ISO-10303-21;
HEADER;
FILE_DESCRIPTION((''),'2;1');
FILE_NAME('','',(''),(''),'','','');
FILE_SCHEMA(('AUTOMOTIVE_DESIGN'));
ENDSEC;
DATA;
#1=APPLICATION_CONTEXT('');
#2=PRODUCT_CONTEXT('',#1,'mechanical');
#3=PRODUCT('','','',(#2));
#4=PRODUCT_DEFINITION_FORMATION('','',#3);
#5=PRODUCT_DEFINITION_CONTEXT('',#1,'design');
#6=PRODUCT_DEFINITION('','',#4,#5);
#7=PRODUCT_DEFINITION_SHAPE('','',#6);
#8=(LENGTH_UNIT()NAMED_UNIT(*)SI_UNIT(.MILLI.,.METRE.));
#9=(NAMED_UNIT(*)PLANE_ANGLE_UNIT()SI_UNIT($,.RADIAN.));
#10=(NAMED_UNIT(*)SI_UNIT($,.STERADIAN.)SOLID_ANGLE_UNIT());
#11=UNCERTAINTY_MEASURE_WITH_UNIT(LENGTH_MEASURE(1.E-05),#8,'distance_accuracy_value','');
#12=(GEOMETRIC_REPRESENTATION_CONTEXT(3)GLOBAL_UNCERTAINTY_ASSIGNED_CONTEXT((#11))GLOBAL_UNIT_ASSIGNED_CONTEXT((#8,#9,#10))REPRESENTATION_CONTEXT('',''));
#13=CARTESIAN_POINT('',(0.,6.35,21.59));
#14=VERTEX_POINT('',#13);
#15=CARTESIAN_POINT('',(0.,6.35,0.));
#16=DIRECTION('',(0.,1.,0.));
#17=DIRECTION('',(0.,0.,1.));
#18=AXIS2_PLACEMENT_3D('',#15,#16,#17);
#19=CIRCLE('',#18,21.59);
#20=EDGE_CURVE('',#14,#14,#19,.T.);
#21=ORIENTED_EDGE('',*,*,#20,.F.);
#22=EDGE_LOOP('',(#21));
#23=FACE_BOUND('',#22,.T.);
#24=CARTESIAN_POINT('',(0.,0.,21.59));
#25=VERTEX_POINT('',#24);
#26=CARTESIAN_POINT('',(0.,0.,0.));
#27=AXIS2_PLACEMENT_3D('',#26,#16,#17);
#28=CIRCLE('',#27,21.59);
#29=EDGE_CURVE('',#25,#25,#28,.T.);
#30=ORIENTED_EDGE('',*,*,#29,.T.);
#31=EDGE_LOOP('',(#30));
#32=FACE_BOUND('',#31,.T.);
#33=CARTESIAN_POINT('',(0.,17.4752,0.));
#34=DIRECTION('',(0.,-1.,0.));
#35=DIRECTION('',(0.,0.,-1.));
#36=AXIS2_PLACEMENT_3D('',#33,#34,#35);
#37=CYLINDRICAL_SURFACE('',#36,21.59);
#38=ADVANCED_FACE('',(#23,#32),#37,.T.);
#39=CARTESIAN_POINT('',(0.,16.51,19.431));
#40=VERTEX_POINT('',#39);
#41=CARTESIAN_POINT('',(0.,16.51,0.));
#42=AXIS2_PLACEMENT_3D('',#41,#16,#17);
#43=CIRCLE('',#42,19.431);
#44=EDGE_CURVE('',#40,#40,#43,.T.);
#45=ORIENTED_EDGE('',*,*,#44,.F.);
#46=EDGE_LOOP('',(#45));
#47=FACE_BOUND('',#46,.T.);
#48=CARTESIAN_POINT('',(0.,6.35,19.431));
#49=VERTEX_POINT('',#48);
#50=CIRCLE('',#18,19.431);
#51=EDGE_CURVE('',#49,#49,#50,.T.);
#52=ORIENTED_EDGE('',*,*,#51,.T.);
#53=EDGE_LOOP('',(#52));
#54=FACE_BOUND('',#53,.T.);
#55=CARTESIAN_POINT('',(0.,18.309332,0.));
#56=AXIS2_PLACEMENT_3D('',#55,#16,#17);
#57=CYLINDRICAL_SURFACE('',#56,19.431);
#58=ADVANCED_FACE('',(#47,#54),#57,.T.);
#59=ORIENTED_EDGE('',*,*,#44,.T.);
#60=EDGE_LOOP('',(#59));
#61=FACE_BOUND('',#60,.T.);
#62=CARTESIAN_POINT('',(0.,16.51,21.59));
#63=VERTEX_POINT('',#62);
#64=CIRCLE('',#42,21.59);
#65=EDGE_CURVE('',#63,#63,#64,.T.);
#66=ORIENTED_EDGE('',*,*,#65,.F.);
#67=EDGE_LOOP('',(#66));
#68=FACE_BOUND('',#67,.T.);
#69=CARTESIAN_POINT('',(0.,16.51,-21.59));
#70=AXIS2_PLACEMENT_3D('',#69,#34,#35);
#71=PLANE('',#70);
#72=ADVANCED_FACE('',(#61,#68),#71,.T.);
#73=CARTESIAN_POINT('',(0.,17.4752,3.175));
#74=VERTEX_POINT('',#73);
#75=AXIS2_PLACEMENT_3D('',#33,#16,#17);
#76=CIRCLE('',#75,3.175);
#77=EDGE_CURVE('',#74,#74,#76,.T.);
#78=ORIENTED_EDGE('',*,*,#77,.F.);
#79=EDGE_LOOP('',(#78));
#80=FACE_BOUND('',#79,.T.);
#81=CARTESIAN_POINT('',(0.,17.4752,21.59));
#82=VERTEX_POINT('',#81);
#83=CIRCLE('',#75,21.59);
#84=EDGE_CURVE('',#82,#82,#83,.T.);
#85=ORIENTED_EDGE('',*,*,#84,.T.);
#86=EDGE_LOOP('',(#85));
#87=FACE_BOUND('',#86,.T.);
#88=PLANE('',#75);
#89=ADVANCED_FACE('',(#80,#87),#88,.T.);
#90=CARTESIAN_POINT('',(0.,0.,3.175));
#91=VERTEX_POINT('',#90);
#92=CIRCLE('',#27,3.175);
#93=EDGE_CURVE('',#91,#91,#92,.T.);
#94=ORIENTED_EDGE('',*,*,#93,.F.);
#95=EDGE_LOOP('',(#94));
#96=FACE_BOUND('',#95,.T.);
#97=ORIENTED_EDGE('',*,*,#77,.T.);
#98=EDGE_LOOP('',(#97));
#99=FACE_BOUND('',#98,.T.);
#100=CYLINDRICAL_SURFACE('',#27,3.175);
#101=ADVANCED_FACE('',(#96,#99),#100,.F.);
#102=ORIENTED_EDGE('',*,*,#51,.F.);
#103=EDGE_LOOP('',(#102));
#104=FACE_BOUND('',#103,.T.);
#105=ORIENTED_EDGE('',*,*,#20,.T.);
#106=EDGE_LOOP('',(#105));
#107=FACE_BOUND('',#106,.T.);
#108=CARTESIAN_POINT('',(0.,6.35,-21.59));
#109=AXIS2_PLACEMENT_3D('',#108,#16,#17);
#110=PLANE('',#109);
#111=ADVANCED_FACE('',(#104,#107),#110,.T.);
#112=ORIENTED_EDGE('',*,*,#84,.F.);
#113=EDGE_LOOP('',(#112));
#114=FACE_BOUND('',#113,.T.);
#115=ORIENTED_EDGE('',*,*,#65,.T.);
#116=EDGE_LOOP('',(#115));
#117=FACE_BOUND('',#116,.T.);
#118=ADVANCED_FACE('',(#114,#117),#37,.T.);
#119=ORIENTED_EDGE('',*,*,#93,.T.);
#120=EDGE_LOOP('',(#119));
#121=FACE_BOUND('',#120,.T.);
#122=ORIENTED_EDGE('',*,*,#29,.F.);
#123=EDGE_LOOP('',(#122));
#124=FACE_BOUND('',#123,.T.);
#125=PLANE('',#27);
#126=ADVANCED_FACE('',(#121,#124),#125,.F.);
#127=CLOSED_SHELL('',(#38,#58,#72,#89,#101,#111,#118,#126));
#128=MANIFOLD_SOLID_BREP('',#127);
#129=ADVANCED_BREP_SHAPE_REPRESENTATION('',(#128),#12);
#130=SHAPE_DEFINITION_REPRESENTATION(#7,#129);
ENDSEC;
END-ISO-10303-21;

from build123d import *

# Parameters (mm, degrees)
SKETCH1_R           = 21.59
BOSS_EXTRUDE1_DEPTH = 17.4752
SKETCH2_W           = 2.159
SKETCH2_H           = 10.16
SKETCH3_R           = 3.175
CUT_EXTRUDE1_DEPTH  = 17.4752


with BuildPart() as part:
    # Sketch1 → Boss-Extrude1 (new body)
    with BuildSketch(Plane(origin=(0, 0, 0), x_dir=(1, 0, 0), z_dir=(0, 1, 0))):
        with Locations(Location((0, 0, 0), (0, 0, 270))):
            Circle(SKETCH1_R)
    extrude(amount=BOSS_EXTRUDE1_DEPTH)

    # Sketch2 → Cut-Revolve1 (revolve, cut)
    with BuildSketch(Plane(origin=(0, 0, 0), x_dir=(0, 0, -1), z_dir=(1, 0, 0)), mode=Mode.PRIVATE) as cut_revolve1_sk:
        with Locations((20.5105, 11.43)):
            Rectangle(SKETCH2_W, SKETCH2_H)
    revolve(cut_revolve1_sk.sketch.rotate(Axis((0, 18.309331677, 0), (0, -1, 0)), 180), axis=Axis((0, 18.309331677, 0), (0, -1, 0)), mode=Mode.SUBTRACT)

    # Sketch3 → Cut-Extrude1 (cut)
    with BuildSketch(Plane(origin=(0, 17.4752, 0), x_dir=(1, 0, 0), z_dir=(0, 1, 0))):
        with Locations(Location((0, 0, 0), (0, 0, 270))):
            Circle(SKETCH3_R)
    extrude(amount=-CUT_EXTRUDE1_DEPTH, mode=Mode.SUBTRACT)


solid = part.part
